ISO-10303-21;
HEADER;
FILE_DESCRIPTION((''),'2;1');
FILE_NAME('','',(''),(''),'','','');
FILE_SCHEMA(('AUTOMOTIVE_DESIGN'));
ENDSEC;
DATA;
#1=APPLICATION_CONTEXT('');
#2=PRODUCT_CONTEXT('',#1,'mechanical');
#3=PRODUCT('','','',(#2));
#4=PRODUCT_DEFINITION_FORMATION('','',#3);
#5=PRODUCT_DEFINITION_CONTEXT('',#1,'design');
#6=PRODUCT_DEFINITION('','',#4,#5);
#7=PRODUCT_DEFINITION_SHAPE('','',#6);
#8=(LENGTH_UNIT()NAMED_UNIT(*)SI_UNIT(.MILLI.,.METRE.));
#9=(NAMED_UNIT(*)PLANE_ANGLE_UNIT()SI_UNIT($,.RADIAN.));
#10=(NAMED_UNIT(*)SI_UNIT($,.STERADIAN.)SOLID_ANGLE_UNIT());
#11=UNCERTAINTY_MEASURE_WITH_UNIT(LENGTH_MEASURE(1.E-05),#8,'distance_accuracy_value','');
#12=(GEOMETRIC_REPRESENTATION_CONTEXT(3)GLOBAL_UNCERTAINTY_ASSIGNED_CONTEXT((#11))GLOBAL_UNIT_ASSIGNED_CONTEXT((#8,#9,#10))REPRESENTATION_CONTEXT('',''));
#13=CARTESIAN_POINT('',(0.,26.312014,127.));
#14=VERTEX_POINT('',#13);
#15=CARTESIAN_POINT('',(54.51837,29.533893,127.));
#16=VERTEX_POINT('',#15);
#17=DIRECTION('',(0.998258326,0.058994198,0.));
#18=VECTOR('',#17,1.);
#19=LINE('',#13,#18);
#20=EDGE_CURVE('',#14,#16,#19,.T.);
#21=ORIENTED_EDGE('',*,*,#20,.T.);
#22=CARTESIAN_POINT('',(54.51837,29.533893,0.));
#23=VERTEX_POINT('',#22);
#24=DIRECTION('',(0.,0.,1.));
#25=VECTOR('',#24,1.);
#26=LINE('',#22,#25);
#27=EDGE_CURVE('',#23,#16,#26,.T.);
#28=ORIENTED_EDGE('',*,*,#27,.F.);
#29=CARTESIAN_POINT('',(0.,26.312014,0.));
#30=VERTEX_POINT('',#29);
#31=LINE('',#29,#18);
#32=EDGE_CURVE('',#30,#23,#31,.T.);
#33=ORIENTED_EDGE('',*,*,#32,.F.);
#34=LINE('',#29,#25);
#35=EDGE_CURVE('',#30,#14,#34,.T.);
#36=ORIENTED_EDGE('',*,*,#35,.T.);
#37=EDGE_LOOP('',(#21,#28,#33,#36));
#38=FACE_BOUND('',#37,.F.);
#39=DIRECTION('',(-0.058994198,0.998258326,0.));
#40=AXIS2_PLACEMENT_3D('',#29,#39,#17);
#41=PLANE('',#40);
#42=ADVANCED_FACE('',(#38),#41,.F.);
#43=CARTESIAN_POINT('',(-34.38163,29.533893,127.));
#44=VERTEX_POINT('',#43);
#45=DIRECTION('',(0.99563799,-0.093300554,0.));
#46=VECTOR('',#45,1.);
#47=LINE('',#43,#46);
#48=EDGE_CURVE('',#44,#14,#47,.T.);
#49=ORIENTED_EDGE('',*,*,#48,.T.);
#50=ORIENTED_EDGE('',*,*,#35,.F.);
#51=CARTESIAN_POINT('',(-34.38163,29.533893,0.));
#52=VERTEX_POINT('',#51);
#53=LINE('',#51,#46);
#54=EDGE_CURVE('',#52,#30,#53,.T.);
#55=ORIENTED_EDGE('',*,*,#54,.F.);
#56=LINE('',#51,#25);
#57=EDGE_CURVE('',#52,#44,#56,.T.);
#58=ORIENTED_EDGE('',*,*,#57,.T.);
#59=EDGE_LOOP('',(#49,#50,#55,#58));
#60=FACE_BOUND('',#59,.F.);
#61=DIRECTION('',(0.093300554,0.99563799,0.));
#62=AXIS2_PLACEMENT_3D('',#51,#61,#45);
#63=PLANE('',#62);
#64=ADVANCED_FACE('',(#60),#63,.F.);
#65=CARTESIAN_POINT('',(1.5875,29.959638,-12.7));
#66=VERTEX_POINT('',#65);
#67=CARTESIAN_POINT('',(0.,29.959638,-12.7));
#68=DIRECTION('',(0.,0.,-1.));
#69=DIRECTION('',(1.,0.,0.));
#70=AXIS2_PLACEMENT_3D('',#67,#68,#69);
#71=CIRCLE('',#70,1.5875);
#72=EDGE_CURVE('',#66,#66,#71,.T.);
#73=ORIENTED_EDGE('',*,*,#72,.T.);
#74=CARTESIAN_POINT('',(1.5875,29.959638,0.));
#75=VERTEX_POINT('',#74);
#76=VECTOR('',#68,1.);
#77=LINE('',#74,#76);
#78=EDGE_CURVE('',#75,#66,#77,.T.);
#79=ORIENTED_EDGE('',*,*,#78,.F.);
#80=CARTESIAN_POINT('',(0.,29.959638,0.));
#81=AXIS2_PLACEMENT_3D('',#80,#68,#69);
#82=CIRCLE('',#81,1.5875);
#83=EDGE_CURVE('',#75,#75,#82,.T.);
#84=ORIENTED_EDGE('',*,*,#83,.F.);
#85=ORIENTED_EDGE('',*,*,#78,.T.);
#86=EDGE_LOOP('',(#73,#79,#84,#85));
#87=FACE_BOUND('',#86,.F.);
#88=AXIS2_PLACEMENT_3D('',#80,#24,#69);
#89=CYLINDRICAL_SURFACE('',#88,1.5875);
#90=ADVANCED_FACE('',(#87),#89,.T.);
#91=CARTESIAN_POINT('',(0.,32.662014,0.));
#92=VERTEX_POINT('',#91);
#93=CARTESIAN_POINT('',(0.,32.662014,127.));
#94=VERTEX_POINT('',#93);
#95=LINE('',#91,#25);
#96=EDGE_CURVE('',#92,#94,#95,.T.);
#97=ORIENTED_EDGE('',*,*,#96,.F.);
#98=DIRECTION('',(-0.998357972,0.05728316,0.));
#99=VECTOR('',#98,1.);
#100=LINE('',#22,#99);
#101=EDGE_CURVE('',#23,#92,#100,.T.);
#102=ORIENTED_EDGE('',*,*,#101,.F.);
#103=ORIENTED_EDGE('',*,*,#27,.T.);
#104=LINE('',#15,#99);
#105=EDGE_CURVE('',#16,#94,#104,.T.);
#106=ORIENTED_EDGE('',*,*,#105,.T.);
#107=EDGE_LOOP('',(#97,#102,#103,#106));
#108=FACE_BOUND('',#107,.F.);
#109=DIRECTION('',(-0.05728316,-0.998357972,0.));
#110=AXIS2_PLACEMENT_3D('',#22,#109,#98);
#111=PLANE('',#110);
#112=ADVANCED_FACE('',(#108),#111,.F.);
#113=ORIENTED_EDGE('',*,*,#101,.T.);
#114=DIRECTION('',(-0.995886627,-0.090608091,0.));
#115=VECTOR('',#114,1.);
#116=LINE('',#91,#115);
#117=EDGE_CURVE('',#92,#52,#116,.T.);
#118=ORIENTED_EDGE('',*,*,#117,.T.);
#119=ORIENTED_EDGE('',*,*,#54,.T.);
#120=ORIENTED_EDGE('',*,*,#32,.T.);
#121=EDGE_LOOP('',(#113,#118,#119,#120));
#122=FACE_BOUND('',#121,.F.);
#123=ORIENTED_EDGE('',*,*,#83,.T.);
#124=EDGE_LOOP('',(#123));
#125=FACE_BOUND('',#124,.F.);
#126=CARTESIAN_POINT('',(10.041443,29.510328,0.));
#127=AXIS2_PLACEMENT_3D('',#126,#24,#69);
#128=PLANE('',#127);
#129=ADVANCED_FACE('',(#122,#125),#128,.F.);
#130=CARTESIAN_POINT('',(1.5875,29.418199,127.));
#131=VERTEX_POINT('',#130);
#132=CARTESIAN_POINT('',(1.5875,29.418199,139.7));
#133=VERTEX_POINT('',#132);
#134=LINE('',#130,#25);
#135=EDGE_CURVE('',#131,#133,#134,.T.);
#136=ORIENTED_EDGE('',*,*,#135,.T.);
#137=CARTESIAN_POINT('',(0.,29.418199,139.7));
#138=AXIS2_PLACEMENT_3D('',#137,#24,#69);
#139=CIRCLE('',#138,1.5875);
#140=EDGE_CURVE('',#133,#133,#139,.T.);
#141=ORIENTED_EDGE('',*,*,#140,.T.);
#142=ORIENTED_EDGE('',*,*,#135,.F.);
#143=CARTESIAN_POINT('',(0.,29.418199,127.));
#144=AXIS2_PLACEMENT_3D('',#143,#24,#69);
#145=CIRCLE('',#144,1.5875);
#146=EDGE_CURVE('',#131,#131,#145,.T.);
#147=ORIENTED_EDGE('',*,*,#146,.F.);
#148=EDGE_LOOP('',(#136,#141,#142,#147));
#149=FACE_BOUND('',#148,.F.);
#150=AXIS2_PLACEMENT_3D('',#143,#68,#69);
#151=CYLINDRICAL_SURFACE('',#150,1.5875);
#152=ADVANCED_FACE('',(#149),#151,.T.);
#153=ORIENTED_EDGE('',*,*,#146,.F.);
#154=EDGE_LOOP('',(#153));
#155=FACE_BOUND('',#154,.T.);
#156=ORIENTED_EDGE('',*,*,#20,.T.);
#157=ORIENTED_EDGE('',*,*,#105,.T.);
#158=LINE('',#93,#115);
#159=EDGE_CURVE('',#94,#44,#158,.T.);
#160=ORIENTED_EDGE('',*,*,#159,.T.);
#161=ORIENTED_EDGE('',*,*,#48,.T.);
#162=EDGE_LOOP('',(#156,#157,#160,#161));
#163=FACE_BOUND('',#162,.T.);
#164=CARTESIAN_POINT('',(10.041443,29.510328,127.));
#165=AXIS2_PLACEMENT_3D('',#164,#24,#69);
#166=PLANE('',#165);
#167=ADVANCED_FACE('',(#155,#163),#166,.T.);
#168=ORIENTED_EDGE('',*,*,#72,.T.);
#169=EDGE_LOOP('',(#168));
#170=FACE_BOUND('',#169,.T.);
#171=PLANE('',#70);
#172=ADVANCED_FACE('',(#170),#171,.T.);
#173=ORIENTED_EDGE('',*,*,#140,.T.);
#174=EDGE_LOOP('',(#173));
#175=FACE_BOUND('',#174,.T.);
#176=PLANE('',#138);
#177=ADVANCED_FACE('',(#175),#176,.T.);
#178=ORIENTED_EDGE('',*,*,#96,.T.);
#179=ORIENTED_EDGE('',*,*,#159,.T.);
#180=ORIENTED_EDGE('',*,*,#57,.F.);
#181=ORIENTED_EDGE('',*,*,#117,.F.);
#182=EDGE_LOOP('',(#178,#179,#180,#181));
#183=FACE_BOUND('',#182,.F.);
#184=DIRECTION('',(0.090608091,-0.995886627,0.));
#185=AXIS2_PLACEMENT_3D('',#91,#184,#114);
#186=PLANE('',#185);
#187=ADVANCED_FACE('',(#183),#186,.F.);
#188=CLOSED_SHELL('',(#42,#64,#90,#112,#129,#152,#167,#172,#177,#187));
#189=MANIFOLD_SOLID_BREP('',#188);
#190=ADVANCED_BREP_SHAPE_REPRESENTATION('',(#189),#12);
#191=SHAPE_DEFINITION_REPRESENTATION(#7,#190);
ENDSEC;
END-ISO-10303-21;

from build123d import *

# Parameters (mm, degrees)
F1_DEPTH = 127
F2_R     = 1.5875
F3_DEPTH = 12.7
F4_R     = 1.5875
F5_DEPTH = 12.7


with BuildPart() as f1:
    # F0 (on Top) → F1 (new body)
    with BuildSketch(Plane.XY):
        Polygon((0, 32.662014), (-34.38163, 29.533893), (0, 26.312014), (54.51837, 29.533893), align=None)
    extrude(amount=F1_DEPTH)

    # F2 (on face) → F3 (join)
    with BuildSketch(Plane(origin=(0, 0, 0), x_dir=(1, 0, 0), z_dir=(0, 0, -1))):
        with Locations((0, -29.959638)):
            Circle(F2_R)
    extrude(amount=F3_DEPTH)

    # F4 (on face) → F5 (join)
    with BuildSketch(Plane.XY.offset(127)):
        with Locations((0, 29.418199)):
            Circle(F4_R)
    extrude(amount=F5_DEPTH)


solid = f1.part
